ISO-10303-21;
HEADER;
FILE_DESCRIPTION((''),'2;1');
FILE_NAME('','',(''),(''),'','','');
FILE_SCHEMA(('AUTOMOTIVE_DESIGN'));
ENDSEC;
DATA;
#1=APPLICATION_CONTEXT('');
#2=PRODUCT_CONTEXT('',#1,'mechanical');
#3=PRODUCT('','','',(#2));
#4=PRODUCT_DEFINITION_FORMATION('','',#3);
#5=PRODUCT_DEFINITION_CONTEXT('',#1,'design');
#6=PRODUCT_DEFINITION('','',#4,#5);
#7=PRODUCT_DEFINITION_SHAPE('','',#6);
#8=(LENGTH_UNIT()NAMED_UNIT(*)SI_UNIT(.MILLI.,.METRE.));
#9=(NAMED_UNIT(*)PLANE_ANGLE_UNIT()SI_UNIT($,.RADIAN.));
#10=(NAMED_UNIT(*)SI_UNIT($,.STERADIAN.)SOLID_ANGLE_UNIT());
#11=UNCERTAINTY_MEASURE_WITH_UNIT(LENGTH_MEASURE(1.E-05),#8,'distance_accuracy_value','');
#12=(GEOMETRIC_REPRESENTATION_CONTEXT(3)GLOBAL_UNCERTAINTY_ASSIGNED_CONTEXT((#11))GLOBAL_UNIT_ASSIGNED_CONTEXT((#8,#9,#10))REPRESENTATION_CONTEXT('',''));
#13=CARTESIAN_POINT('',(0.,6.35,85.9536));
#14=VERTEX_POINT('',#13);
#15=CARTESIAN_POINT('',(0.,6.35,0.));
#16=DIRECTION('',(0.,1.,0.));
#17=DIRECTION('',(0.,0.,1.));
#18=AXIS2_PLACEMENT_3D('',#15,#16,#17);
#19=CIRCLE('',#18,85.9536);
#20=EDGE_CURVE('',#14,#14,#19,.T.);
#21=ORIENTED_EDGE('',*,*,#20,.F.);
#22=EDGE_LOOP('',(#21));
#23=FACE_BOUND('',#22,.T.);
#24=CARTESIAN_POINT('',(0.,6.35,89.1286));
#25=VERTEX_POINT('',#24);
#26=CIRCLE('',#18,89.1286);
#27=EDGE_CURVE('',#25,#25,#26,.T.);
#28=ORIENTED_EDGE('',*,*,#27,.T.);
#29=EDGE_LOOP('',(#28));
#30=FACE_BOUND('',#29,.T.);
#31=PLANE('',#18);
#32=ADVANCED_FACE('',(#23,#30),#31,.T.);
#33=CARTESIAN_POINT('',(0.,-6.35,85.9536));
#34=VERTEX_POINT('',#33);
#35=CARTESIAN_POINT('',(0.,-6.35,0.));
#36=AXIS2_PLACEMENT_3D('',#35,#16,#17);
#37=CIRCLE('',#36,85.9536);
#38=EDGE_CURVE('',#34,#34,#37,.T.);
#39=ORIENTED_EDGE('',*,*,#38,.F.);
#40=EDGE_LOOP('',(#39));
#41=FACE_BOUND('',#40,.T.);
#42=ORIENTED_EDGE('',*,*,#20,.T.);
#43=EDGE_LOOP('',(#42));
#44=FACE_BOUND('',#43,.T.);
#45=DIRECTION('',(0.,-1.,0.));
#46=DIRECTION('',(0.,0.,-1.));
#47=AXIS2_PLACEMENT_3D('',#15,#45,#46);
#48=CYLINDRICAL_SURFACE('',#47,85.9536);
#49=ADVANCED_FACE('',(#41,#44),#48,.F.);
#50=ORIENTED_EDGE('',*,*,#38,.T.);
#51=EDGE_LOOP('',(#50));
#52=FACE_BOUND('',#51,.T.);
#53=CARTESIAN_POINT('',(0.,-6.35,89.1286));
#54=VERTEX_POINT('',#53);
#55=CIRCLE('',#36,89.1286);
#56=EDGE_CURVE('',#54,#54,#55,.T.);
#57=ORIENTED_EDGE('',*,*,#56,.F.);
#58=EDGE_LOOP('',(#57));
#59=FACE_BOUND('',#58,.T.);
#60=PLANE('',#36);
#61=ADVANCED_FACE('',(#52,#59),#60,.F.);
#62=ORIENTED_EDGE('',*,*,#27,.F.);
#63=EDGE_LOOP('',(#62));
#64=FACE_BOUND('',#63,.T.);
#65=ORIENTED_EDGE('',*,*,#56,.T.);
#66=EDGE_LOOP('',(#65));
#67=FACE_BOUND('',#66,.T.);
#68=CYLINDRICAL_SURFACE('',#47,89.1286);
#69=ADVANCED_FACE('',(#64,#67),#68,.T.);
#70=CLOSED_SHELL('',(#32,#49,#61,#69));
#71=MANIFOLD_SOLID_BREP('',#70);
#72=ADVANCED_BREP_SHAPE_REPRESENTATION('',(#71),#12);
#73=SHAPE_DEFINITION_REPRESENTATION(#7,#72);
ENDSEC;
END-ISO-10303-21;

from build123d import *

# Parameters (mm, degrees)
SKETCH1_R           = 89.1286
SKETCH1_R_2         = 85.9536
BOSS_EXTRUDE1_DEPTH = 6.35


with BuildPart() as part:
    # Sketch1 → Boss-Extrude1 (new body, symmetric)
    with BuildSketch(Plane(origin=(0, 0, 0), x_dir=(1, 0, 0), z_dir=(0, 1, 0))):
        Circle(SKETCH1_R)
        Circle(SKETCH1_R_2, mode=Mode.SUBTRACT)
    extrude(amount=BOSS_EXTRUDE1_DEPTH, both=True)


solid = part.part
